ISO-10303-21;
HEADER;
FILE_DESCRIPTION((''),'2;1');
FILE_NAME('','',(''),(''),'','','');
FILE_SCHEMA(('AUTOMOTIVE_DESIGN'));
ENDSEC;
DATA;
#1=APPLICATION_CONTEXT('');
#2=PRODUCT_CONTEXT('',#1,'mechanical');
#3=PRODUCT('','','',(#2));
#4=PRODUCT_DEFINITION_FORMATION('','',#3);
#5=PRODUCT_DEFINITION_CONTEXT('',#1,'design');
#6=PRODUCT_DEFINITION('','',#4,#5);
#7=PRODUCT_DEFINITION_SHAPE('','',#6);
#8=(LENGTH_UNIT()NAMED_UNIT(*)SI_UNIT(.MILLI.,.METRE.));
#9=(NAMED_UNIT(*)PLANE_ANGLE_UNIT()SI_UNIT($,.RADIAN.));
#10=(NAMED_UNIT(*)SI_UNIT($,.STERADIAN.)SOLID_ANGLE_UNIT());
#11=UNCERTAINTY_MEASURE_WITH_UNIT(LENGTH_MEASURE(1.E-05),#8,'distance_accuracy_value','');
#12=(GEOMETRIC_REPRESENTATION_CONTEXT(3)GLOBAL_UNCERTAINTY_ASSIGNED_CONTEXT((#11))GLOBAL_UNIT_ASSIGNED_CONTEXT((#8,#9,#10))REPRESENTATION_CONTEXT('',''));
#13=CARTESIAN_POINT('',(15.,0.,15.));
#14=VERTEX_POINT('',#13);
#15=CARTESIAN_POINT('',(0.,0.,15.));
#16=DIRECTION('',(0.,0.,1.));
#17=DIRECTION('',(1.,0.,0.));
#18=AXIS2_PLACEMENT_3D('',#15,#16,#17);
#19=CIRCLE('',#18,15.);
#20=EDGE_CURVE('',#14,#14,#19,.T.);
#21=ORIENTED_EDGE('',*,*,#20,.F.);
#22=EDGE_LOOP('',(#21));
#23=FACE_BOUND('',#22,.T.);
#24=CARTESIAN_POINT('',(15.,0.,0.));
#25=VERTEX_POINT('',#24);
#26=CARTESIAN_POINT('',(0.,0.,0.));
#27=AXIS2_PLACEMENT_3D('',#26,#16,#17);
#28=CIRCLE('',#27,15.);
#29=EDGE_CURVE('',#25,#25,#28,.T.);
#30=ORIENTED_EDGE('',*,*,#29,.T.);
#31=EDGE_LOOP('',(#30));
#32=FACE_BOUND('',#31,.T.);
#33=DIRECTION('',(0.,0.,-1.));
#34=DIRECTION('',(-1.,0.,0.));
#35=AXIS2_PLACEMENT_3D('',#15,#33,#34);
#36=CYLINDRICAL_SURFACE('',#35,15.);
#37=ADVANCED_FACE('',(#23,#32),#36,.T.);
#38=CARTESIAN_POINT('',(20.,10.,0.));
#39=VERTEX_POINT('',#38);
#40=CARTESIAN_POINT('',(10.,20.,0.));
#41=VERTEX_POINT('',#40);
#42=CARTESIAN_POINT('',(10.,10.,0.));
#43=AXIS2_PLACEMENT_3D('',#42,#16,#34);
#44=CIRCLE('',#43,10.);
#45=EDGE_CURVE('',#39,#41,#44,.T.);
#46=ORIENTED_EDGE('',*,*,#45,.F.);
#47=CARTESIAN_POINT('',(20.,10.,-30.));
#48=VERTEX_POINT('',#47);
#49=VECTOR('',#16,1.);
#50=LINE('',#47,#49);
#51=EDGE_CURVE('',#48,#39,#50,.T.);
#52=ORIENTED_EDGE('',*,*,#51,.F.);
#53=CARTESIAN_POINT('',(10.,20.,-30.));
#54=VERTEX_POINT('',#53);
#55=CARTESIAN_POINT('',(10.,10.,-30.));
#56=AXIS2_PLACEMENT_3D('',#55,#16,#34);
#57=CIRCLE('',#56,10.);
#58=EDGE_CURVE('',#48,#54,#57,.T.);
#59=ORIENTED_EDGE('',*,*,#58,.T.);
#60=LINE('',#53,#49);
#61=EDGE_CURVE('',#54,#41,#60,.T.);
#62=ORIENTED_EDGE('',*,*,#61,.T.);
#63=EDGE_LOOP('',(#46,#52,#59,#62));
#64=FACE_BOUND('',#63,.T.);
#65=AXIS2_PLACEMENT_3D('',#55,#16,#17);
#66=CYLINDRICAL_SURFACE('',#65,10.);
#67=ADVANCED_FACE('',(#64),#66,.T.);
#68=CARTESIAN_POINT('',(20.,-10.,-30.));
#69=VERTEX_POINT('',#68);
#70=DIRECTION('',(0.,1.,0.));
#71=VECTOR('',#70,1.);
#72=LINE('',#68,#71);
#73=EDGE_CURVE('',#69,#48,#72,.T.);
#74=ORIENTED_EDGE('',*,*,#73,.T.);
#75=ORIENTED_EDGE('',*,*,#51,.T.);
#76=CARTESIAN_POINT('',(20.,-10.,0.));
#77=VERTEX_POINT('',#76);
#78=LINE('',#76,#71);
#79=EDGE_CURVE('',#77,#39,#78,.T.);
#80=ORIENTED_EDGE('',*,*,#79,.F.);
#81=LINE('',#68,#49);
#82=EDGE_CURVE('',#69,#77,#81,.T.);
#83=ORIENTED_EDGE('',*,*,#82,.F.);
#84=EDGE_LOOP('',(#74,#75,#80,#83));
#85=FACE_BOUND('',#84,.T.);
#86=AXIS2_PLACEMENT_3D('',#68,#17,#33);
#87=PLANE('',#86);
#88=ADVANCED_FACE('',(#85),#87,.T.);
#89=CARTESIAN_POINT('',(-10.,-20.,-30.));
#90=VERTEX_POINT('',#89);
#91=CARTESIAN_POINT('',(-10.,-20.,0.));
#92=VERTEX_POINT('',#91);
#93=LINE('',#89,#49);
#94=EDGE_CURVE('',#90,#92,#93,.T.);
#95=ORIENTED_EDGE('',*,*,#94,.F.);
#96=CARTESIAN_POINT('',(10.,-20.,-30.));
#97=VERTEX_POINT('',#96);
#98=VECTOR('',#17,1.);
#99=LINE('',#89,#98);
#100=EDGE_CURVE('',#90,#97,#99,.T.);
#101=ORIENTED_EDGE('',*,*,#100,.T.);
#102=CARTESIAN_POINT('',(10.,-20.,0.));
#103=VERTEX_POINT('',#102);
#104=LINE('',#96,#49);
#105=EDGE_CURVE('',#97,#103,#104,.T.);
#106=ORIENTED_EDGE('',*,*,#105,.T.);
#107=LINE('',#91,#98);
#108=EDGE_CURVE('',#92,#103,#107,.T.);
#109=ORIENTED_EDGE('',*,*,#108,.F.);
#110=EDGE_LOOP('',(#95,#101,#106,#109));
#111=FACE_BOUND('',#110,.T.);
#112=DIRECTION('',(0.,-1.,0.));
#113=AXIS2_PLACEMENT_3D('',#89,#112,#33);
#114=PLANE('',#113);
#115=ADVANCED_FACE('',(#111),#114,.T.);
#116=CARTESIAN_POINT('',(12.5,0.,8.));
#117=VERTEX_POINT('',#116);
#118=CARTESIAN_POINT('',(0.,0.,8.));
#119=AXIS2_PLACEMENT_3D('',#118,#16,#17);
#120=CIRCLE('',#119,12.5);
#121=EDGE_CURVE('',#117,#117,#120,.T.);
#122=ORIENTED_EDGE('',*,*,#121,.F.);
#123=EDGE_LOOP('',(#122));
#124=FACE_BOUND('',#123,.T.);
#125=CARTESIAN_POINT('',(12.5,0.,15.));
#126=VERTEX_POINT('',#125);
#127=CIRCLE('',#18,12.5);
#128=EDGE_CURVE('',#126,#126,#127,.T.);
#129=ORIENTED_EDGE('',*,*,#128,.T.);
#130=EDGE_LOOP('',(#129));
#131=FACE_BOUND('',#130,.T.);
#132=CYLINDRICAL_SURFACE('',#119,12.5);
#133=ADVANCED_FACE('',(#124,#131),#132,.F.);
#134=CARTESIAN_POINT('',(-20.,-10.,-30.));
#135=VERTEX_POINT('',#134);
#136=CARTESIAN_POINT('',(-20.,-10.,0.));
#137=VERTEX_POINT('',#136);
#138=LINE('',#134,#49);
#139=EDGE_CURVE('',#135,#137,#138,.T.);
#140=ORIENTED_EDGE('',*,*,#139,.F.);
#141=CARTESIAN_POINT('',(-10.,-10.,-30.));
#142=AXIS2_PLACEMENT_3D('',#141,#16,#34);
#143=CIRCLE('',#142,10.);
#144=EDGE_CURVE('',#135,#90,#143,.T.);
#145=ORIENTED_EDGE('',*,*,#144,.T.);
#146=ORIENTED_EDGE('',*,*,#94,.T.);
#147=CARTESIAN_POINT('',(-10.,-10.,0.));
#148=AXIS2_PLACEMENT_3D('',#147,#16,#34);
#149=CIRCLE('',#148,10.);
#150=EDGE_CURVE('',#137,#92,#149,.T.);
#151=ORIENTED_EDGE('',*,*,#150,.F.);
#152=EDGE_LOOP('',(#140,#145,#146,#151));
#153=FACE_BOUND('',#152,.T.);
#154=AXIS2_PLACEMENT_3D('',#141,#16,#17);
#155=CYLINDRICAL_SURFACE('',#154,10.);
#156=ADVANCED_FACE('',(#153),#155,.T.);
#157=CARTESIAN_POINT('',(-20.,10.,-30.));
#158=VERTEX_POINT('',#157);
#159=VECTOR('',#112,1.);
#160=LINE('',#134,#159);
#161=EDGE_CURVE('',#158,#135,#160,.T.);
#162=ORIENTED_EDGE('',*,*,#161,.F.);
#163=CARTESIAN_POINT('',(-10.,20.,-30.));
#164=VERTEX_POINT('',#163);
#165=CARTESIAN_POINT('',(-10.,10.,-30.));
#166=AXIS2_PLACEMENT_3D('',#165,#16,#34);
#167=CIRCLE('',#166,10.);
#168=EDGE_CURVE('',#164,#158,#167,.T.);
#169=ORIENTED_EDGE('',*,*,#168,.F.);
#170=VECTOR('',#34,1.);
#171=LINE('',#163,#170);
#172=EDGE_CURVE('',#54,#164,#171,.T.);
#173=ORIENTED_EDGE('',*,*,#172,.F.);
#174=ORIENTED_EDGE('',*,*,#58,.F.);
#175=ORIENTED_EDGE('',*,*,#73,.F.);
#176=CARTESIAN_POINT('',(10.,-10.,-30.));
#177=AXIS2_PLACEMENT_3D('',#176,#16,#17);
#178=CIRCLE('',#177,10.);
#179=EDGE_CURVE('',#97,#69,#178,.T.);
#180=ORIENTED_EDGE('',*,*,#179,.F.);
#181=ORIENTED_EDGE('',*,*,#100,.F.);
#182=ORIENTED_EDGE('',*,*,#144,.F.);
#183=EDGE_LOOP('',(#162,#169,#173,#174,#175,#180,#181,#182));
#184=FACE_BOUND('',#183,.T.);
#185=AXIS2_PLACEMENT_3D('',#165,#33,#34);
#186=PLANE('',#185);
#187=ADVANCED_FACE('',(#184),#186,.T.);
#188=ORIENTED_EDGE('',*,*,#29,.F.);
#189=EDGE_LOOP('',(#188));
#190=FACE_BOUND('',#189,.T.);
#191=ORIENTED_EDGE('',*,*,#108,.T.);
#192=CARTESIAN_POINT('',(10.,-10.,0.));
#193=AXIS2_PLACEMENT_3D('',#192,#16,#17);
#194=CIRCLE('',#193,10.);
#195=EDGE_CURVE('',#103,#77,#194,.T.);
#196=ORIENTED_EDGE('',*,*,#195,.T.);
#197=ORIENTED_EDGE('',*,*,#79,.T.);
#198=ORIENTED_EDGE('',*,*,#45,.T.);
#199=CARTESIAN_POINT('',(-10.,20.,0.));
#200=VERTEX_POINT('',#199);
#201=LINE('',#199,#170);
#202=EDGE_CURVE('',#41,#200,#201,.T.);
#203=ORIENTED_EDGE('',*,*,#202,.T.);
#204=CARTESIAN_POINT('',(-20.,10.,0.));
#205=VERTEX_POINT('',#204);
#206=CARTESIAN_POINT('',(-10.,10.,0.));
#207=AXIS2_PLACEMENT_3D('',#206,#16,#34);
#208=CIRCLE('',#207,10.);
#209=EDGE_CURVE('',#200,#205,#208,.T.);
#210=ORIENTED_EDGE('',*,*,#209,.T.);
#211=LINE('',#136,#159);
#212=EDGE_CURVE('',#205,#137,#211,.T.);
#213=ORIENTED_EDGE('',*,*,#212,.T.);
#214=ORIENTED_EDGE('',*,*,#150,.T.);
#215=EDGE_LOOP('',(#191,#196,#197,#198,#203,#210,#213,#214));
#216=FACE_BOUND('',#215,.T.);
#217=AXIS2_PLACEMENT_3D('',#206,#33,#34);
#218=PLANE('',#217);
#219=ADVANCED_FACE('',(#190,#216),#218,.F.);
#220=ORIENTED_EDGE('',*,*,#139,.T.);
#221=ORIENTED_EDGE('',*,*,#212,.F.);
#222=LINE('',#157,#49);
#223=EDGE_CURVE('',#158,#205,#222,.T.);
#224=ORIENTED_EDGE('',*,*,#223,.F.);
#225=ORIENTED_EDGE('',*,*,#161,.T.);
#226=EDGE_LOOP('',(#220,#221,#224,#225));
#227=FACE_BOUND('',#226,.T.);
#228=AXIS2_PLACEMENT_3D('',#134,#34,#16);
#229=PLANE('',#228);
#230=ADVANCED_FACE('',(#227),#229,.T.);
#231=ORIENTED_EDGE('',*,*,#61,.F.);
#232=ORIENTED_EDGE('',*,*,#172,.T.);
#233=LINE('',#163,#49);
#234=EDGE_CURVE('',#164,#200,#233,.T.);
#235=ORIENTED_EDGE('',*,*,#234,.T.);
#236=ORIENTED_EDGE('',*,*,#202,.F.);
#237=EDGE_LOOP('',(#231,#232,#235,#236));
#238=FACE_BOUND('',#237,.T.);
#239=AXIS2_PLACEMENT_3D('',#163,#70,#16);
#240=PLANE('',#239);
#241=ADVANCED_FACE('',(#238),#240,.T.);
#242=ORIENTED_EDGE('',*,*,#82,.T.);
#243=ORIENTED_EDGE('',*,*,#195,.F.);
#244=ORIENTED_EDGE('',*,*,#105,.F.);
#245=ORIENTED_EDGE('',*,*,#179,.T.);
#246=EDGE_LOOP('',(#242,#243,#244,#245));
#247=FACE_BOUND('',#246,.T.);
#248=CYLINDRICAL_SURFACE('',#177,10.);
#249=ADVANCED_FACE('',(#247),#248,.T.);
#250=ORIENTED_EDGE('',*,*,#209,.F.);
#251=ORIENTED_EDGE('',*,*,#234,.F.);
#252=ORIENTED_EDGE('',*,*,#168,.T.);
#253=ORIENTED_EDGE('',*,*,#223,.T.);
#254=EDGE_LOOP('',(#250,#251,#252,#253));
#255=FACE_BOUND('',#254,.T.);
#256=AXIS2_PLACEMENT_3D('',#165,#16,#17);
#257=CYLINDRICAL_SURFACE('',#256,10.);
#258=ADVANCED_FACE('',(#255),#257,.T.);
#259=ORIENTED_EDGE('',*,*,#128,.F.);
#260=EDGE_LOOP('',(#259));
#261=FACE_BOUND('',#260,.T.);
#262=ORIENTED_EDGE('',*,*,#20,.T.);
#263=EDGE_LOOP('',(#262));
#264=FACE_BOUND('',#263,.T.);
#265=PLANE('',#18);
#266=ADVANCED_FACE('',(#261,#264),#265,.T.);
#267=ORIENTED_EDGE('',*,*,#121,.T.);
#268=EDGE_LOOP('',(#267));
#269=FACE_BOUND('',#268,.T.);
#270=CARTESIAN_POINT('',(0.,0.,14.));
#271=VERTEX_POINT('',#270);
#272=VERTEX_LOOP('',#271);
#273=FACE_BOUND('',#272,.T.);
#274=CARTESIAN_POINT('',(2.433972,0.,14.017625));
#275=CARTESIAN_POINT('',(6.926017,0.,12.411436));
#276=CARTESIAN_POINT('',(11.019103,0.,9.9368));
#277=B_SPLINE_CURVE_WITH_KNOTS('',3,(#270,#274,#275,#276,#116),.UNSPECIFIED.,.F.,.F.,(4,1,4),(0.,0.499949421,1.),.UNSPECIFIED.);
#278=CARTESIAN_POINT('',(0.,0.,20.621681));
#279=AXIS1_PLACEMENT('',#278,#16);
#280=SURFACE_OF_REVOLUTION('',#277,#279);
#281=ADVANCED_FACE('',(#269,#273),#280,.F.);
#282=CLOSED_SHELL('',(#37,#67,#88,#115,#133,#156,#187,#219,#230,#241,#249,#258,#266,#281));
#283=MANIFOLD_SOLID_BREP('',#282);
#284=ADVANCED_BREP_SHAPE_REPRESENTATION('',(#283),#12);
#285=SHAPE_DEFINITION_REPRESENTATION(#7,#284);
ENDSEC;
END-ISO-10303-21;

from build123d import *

# Parameters (mm, degrees)
EXTRUDE_1_DEPTH     = 30
SKETCH_2_R          = 15
EXTRUDE_2_DEPTH     = 15
SKETCH_3_R          = 12.5
CUT_EXTRUDE_1_DEPTH = 7


with BuildPart() as part:
    # 草图1 → 凸台-拉伸1 (new body)
    with BuildSketch(Plane.XY):
        with BuildLine():
            Line((-10, -20), (10, -20))
            ThreePointArc((10, -20), (17.071067812, -17.071067812), (20, -10))
            Line((20, -10), (20, 10))
            ThreePointArc((20, 10), (17.071067812, 17.071067812), (10, 20))
            Line((10, 20), (-10, 20))
            ThreePointArc((-10, 20), (-17.071067812, 17.071067812), (-20, 10))
            Line((-20, 10), (-20, -10))
            ThreePointArc((-20, -10), (-17.071067812, -17.071067812), (-10, -20))
        make_face()
    extrude(amount=-EXTRUDE_1_DEPTH)

    # 草图2 → 凸台-拉伸2 (add)
    with BuildSketch(Plane.XY):
        Circle(SKETCH_2_R)
    extrude(amount=EXTRUDE_2_DEPTH)

    # 草图3 → 切除-拉伸1 (cut)
    with BuildSketch(Plane.XY.offset(15)):
        Circle(SKETCH_3_R)
    extrude(amount=-CUT_EXTRUDE_1_DEPTH, mode=Mode.SUBTRACT)

    # 草图4 → 旋转1 (revolve)
    with BuildSketch(Plane(origin=(0, 0, 0), x_dir=(1, 0, 0), z_dir=(0, 1, 0))):
        with BuildLine():
            Line((0, -8), (12.5, -8))
            add(Edge.make_bspline(
                [(0, -14), (2.433971775, -14.017624523), (6.926016956, -12.41143597), (11.019102747, -9.936800199), (12.5, -8)],
                knots=[0, 0, 0, 0, 0.499949421, 1, 1, 1, 1], degree=3))
            Line((0, -14), (0, -8))
        make_face()
    revolve(axis=Axis((0, 0, 20.621681052), (0, 0, -1)))


solid = part.part
